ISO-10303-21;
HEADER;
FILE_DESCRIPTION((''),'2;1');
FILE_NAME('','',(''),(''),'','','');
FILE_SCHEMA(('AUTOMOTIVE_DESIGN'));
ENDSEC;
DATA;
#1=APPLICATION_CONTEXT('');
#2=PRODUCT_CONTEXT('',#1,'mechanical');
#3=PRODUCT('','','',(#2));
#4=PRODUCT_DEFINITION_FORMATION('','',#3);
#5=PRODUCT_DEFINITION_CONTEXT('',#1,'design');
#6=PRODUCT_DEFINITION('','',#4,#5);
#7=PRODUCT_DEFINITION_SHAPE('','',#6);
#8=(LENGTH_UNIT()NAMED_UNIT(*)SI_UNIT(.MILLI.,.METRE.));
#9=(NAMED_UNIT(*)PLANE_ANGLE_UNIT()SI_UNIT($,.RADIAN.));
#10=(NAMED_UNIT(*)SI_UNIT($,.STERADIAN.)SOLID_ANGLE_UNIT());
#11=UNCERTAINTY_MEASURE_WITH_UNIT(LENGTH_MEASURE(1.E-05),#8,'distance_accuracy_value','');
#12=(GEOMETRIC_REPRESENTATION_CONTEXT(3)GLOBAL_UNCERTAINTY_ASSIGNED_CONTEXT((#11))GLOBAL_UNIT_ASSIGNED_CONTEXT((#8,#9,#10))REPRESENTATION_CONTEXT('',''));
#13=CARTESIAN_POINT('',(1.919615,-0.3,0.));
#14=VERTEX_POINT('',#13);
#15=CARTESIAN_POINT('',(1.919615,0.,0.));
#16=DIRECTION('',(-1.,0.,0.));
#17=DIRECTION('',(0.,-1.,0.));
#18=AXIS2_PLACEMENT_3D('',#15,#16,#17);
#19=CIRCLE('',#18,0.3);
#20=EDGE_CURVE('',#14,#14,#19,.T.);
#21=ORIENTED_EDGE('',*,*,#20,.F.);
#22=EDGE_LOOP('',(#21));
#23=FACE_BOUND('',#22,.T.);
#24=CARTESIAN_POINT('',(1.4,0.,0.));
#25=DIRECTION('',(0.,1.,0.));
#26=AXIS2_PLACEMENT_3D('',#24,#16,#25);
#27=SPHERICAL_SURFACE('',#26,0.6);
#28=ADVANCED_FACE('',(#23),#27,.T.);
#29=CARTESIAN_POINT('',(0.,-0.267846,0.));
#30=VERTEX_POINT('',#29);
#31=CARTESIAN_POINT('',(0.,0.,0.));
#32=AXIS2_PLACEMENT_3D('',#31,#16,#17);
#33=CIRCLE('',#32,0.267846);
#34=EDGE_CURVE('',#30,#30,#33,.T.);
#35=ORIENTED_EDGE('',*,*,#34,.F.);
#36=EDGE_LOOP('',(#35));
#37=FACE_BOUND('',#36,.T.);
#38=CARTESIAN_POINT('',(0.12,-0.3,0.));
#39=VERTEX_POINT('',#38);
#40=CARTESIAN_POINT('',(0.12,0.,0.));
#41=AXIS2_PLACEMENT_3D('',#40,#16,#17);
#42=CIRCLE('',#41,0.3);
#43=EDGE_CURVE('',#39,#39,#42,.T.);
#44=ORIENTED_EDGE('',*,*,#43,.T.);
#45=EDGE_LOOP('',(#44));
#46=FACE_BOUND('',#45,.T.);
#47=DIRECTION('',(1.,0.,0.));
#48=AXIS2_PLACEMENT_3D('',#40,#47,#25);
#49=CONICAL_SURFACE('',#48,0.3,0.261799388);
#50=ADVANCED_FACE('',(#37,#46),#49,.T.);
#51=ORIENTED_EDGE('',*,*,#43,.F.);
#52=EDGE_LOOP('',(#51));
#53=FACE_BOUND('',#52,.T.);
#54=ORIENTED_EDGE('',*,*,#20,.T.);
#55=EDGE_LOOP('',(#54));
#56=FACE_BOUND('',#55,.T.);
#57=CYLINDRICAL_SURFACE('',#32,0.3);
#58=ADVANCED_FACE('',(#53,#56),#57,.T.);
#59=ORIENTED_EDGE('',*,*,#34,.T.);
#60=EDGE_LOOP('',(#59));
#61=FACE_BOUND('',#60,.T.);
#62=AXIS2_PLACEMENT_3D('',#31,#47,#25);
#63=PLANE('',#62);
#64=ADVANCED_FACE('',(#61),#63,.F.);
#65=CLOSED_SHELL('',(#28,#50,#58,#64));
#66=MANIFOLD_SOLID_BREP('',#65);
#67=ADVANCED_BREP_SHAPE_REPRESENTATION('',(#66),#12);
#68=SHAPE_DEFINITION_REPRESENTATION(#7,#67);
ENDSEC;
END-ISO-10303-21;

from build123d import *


with BuildPart() as part:
    # Skica1 → Otočit kolem osy1 (revolve)
    with BuildSketch(Plane.XY, mode=Mode.PRIVATE) as oto_it_kolem_osy1_sk:
        with BuildLine():
            Line((0, 0), (0, 0.267846097))
            Line((0, 0.267846097), (0.12, 0.3))
            Line((0.12, 0.3), (1.919615242, 0.3))
            ThreePointArc((1.919615242, 0.3), (1.979555496, 0.155291427), (2, 0))
            Line((2, 0), (0, 0))
        make_face()
    revolve(oto_it_kolem_osy1_sk.sketch.rotate(Axis((0, 0, 0), (1, 0, 0)), 180), axis=Axis((0, 0, 0), (1, 0, 0)))


solid = part.part
